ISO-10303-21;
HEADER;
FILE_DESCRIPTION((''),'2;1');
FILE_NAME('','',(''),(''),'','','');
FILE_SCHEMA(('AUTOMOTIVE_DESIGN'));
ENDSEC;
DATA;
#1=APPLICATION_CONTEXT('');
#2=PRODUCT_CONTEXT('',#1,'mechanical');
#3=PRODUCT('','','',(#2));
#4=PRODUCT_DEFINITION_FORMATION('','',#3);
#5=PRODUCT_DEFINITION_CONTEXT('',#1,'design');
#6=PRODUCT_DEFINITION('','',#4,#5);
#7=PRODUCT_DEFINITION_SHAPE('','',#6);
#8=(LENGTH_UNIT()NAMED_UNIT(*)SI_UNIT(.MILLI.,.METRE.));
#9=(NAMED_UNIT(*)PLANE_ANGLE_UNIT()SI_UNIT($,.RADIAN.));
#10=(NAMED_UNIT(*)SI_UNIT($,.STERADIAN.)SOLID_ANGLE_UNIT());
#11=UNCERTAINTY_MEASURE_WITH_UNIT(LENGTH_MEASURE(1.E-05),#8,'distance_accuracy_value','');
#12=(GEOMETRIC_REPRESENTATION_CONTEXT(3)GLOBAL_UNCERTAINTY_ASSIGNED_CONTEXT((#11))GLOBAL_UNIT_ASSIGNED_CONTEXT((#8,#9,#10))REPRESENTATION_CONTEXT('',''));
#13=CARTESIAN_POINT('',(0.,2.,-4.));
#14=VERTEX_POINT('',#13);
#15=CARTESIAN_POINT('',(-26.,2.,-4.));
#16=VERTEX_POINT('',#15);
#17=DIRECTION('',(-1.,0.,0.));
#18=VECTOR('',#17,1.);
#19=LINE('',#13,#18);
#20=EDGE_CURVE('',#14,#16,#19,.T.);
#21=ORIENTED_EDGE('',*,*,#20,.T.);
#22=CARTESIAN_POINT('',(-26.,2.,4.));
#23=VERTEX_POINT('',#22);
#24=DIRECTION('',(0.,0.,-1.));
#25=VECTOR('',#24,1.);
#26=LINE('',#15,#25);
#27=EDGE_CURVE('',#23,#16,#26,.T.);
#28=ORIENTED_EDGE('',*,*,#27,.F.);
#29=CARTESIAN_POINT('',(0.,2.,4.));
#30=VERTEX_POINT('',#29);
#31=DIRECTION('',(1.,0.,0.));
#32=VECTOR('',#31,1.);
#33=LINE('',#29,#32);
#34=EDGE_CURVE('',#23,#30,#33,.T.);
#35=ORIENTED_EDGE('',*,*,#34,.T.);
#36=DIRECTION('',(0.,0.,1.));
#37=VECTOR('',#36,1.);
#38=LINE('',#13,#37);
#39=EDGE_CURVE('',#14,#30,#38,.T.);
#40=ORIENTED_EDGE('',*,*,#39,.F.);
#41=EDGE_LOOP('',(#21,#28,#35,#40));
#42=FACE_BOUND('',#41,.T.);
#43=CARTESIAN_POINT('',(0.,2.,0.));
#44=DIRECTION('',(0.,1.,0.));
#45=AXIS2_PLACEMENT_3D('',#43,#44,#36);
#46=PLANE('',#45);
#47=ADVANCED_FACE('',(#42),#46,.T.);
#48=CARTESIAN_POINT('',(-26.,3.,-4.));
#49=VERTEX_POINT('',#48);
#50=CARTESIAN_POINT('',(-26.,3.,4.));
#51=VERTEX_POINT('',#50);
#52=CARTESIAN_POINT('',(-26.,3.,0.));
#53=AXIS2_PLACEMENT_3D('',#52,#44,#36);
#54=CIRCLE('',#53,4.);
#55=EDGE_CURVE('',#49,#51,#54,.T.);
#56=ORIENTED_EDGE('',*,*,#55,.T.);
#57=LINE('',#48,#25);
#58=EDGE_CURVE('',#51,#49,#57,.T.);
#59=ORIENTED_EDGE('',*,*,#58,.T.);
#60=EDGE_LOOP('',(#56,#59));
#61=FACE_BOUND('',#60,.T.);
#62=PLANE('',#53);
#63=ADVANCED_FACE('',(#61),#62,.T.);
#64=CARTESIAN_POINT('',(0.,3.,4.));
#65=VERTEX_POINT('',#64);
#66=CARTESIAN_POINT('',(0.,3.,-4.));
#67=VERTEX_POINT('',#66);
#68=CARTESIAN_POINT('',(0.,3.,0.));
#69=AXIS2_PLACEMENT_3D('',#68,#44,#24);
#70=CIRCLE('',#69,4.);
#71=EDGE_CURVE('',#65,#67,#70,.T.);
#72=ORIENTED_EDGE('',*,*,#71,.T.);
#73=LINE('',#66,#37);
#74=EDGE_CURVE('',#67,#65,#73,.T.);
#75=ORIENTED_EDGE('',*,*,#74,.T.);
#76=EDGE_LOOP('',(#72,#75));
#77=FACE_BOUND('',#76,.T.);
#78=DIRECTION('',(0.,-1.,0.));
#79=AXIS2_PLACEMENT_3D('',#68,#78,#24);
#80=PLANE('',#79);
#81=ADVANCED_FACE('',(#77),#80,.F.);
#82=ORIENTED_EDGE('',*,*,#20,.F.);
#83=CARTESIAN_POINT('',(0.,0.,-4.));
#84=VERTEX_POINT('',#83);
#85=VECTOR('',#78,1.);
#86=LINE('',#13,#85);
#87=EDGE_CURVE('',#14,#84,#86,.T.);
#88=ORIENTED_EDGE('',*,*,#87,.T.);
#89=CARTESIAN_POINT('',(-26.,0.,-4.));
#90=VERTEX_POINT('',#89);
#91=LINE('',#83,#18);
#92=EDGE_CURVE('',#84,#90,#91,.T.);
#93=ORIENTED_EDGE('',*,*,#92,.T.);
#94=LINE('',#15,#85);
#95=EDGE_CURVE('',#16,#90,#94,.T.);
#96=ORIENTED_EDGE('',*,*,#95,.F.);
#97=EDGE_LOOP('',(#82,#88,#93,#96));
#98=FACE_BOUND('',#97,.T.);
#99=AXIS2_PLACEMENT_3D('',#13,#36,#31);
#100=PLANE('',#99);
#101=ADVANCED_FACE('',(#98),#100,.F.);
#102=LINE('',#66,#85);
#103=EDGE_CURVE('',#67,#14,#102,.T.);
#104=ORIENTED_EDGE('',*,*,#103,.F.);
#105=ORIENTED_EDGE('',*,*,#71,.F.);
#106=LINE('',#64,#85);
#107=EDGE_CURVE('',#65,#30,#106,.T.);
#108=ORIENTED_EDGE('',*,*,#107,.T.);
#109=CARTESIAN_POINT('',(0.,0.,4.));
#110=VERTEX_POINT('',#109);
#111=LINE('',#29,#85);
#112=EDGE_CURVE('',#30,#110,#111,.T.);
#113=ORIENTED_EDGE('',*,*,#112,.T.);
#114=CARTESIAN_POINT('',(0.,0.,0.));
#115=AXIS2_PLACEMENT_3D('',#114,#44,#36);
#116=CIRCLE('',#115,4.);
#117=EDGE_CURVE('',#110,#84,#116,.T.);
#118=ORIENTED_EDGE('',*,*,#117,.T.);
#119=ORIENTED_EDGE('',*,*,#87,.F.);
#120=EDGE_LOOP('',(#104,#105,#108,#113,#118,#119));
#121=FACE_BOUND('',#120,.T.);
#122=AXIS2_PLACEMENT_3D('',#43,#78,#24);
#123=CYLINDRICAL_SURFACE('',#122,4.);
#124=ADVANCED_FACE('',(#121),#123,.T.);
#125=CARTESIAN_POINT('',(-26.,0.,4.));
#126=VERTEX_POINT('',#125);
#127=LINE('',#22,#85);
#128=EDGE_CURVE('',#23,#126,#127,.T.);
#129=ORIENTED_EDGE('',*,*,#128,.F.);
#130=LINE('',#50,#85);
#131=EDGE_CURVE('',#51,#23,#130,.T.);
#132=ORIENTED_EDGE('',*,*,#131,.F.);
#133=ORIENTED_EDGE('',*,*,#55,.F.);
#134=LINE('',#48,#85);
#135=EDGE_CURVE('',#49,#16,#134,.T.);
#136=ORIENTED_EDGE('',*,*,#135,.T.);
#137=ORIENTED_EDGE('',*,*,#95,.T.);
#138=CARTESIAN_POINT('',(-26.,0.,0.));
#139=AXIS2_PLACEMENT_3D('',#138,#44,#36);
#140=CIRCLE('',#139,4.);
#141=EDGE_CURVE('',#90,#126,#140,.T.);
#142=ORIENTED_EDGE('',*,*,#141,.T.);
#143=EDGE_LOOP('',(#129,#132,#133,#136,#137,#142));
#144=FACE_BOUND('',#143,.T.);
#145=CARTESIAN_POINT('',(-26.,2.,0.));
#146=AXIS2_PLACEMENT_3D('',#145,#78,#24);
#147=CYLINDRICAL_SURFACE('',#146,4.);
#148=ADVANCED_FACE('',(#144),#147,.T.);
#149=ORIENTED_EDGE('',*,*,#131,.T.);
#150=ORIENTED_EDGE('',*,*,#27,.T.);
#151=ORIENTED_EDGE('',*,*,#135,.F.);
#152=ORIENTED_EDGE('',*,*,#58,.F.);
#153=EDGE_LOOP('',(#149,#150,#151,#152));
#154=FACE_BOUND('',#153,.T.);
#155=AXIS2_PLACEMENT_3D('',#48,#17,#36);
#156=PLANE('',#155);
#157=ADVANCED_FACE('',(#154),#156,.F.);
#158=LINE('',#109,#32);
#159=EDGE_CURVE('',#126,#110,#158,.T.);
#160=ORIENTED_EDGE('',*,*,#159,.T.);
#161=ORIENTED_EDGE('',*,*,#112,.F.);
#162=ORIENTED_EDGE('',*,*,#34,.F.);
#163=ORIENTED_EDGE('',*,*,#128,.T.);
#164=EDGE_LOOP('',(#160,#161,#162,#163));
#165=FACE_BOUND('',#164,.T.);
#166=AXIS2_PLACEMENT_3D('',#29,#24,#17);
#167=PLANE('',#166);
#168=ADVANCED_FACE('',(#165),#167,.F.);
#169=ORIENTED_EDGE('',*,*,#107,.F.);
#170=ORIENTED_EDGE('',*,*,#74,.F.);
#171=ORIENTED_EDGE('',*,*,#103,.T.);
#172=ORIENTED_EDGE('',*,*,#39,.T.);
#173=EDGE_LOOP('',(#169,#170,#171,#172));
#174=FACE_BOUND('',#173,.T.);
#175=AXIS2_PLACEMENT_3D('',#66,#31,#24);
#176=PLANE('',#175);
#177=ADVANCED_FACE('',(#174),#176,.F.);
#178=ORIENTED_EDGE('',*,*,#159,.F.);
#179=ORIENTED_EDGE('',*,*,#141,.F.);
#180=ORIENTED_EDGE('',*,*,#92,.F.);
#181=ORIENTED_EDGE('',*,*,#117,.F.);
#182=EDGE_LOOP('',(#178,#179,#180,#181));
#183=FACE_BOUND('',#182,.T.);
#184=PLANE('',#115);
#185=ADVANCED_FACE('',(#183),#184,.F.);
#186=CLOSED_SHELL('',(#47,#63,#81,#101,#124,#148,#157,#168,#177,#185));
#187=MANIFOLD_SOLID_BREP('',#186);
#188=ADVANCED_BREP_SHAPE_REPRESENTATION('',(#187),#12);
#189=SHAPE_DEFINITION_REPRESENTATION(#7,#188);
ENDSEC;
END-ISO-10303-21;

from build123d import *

# Parameters (mm, degrees)
BOSS_EXTRUDE1_DEPTH = 2
BOSS_EXTRUDE2_DEPTH = 1


with BuildPart() as part:
    # Sketch1 → Boss-Extrude1 (new body)
    with BuildSketch(Plane(origin=(0, 0, 0), x_dir=(1, 0, 0), z_dir=(0, 1, 0))):
        with BuildLine():
            Line((0, -4), (-26, -4))
            ThreePointArc((-26, -4), (-30, 0), (-26, 4))
            Line((-26, 4), (0, 4))
            ThreePointArc((0, 4), (4, 0), (0, -4))
        make_face()
    extrude(amount=BOSS_EXTRUDE1_DEPTH)

    # Sketch2 → Boss-Extrude2 (add)
    with BuildSketch(Plane(origin=(0, 2, 0), x_dir=(1, 0, 0), z_dir=(0, 1, 0))):
        with BuildLine():
            Line((-26, 4), (-26, -4))
            ThreePointArc((-26, -4), (-28.828427125, -2.828427125), (-30, 0))
            ThreePointArc((-30, 0), (-28.828427125, 2.828427125), (-26, 4))
        make_face()
        with BuildLine():
            Line((0, 4), (0, -4))
            ThreePointArc((0, -4), (4, 0), (0, 4))
        make_face()
    extrude(amount=BOSS_EXTRUDE2_DEPTH)


solid = part.part
